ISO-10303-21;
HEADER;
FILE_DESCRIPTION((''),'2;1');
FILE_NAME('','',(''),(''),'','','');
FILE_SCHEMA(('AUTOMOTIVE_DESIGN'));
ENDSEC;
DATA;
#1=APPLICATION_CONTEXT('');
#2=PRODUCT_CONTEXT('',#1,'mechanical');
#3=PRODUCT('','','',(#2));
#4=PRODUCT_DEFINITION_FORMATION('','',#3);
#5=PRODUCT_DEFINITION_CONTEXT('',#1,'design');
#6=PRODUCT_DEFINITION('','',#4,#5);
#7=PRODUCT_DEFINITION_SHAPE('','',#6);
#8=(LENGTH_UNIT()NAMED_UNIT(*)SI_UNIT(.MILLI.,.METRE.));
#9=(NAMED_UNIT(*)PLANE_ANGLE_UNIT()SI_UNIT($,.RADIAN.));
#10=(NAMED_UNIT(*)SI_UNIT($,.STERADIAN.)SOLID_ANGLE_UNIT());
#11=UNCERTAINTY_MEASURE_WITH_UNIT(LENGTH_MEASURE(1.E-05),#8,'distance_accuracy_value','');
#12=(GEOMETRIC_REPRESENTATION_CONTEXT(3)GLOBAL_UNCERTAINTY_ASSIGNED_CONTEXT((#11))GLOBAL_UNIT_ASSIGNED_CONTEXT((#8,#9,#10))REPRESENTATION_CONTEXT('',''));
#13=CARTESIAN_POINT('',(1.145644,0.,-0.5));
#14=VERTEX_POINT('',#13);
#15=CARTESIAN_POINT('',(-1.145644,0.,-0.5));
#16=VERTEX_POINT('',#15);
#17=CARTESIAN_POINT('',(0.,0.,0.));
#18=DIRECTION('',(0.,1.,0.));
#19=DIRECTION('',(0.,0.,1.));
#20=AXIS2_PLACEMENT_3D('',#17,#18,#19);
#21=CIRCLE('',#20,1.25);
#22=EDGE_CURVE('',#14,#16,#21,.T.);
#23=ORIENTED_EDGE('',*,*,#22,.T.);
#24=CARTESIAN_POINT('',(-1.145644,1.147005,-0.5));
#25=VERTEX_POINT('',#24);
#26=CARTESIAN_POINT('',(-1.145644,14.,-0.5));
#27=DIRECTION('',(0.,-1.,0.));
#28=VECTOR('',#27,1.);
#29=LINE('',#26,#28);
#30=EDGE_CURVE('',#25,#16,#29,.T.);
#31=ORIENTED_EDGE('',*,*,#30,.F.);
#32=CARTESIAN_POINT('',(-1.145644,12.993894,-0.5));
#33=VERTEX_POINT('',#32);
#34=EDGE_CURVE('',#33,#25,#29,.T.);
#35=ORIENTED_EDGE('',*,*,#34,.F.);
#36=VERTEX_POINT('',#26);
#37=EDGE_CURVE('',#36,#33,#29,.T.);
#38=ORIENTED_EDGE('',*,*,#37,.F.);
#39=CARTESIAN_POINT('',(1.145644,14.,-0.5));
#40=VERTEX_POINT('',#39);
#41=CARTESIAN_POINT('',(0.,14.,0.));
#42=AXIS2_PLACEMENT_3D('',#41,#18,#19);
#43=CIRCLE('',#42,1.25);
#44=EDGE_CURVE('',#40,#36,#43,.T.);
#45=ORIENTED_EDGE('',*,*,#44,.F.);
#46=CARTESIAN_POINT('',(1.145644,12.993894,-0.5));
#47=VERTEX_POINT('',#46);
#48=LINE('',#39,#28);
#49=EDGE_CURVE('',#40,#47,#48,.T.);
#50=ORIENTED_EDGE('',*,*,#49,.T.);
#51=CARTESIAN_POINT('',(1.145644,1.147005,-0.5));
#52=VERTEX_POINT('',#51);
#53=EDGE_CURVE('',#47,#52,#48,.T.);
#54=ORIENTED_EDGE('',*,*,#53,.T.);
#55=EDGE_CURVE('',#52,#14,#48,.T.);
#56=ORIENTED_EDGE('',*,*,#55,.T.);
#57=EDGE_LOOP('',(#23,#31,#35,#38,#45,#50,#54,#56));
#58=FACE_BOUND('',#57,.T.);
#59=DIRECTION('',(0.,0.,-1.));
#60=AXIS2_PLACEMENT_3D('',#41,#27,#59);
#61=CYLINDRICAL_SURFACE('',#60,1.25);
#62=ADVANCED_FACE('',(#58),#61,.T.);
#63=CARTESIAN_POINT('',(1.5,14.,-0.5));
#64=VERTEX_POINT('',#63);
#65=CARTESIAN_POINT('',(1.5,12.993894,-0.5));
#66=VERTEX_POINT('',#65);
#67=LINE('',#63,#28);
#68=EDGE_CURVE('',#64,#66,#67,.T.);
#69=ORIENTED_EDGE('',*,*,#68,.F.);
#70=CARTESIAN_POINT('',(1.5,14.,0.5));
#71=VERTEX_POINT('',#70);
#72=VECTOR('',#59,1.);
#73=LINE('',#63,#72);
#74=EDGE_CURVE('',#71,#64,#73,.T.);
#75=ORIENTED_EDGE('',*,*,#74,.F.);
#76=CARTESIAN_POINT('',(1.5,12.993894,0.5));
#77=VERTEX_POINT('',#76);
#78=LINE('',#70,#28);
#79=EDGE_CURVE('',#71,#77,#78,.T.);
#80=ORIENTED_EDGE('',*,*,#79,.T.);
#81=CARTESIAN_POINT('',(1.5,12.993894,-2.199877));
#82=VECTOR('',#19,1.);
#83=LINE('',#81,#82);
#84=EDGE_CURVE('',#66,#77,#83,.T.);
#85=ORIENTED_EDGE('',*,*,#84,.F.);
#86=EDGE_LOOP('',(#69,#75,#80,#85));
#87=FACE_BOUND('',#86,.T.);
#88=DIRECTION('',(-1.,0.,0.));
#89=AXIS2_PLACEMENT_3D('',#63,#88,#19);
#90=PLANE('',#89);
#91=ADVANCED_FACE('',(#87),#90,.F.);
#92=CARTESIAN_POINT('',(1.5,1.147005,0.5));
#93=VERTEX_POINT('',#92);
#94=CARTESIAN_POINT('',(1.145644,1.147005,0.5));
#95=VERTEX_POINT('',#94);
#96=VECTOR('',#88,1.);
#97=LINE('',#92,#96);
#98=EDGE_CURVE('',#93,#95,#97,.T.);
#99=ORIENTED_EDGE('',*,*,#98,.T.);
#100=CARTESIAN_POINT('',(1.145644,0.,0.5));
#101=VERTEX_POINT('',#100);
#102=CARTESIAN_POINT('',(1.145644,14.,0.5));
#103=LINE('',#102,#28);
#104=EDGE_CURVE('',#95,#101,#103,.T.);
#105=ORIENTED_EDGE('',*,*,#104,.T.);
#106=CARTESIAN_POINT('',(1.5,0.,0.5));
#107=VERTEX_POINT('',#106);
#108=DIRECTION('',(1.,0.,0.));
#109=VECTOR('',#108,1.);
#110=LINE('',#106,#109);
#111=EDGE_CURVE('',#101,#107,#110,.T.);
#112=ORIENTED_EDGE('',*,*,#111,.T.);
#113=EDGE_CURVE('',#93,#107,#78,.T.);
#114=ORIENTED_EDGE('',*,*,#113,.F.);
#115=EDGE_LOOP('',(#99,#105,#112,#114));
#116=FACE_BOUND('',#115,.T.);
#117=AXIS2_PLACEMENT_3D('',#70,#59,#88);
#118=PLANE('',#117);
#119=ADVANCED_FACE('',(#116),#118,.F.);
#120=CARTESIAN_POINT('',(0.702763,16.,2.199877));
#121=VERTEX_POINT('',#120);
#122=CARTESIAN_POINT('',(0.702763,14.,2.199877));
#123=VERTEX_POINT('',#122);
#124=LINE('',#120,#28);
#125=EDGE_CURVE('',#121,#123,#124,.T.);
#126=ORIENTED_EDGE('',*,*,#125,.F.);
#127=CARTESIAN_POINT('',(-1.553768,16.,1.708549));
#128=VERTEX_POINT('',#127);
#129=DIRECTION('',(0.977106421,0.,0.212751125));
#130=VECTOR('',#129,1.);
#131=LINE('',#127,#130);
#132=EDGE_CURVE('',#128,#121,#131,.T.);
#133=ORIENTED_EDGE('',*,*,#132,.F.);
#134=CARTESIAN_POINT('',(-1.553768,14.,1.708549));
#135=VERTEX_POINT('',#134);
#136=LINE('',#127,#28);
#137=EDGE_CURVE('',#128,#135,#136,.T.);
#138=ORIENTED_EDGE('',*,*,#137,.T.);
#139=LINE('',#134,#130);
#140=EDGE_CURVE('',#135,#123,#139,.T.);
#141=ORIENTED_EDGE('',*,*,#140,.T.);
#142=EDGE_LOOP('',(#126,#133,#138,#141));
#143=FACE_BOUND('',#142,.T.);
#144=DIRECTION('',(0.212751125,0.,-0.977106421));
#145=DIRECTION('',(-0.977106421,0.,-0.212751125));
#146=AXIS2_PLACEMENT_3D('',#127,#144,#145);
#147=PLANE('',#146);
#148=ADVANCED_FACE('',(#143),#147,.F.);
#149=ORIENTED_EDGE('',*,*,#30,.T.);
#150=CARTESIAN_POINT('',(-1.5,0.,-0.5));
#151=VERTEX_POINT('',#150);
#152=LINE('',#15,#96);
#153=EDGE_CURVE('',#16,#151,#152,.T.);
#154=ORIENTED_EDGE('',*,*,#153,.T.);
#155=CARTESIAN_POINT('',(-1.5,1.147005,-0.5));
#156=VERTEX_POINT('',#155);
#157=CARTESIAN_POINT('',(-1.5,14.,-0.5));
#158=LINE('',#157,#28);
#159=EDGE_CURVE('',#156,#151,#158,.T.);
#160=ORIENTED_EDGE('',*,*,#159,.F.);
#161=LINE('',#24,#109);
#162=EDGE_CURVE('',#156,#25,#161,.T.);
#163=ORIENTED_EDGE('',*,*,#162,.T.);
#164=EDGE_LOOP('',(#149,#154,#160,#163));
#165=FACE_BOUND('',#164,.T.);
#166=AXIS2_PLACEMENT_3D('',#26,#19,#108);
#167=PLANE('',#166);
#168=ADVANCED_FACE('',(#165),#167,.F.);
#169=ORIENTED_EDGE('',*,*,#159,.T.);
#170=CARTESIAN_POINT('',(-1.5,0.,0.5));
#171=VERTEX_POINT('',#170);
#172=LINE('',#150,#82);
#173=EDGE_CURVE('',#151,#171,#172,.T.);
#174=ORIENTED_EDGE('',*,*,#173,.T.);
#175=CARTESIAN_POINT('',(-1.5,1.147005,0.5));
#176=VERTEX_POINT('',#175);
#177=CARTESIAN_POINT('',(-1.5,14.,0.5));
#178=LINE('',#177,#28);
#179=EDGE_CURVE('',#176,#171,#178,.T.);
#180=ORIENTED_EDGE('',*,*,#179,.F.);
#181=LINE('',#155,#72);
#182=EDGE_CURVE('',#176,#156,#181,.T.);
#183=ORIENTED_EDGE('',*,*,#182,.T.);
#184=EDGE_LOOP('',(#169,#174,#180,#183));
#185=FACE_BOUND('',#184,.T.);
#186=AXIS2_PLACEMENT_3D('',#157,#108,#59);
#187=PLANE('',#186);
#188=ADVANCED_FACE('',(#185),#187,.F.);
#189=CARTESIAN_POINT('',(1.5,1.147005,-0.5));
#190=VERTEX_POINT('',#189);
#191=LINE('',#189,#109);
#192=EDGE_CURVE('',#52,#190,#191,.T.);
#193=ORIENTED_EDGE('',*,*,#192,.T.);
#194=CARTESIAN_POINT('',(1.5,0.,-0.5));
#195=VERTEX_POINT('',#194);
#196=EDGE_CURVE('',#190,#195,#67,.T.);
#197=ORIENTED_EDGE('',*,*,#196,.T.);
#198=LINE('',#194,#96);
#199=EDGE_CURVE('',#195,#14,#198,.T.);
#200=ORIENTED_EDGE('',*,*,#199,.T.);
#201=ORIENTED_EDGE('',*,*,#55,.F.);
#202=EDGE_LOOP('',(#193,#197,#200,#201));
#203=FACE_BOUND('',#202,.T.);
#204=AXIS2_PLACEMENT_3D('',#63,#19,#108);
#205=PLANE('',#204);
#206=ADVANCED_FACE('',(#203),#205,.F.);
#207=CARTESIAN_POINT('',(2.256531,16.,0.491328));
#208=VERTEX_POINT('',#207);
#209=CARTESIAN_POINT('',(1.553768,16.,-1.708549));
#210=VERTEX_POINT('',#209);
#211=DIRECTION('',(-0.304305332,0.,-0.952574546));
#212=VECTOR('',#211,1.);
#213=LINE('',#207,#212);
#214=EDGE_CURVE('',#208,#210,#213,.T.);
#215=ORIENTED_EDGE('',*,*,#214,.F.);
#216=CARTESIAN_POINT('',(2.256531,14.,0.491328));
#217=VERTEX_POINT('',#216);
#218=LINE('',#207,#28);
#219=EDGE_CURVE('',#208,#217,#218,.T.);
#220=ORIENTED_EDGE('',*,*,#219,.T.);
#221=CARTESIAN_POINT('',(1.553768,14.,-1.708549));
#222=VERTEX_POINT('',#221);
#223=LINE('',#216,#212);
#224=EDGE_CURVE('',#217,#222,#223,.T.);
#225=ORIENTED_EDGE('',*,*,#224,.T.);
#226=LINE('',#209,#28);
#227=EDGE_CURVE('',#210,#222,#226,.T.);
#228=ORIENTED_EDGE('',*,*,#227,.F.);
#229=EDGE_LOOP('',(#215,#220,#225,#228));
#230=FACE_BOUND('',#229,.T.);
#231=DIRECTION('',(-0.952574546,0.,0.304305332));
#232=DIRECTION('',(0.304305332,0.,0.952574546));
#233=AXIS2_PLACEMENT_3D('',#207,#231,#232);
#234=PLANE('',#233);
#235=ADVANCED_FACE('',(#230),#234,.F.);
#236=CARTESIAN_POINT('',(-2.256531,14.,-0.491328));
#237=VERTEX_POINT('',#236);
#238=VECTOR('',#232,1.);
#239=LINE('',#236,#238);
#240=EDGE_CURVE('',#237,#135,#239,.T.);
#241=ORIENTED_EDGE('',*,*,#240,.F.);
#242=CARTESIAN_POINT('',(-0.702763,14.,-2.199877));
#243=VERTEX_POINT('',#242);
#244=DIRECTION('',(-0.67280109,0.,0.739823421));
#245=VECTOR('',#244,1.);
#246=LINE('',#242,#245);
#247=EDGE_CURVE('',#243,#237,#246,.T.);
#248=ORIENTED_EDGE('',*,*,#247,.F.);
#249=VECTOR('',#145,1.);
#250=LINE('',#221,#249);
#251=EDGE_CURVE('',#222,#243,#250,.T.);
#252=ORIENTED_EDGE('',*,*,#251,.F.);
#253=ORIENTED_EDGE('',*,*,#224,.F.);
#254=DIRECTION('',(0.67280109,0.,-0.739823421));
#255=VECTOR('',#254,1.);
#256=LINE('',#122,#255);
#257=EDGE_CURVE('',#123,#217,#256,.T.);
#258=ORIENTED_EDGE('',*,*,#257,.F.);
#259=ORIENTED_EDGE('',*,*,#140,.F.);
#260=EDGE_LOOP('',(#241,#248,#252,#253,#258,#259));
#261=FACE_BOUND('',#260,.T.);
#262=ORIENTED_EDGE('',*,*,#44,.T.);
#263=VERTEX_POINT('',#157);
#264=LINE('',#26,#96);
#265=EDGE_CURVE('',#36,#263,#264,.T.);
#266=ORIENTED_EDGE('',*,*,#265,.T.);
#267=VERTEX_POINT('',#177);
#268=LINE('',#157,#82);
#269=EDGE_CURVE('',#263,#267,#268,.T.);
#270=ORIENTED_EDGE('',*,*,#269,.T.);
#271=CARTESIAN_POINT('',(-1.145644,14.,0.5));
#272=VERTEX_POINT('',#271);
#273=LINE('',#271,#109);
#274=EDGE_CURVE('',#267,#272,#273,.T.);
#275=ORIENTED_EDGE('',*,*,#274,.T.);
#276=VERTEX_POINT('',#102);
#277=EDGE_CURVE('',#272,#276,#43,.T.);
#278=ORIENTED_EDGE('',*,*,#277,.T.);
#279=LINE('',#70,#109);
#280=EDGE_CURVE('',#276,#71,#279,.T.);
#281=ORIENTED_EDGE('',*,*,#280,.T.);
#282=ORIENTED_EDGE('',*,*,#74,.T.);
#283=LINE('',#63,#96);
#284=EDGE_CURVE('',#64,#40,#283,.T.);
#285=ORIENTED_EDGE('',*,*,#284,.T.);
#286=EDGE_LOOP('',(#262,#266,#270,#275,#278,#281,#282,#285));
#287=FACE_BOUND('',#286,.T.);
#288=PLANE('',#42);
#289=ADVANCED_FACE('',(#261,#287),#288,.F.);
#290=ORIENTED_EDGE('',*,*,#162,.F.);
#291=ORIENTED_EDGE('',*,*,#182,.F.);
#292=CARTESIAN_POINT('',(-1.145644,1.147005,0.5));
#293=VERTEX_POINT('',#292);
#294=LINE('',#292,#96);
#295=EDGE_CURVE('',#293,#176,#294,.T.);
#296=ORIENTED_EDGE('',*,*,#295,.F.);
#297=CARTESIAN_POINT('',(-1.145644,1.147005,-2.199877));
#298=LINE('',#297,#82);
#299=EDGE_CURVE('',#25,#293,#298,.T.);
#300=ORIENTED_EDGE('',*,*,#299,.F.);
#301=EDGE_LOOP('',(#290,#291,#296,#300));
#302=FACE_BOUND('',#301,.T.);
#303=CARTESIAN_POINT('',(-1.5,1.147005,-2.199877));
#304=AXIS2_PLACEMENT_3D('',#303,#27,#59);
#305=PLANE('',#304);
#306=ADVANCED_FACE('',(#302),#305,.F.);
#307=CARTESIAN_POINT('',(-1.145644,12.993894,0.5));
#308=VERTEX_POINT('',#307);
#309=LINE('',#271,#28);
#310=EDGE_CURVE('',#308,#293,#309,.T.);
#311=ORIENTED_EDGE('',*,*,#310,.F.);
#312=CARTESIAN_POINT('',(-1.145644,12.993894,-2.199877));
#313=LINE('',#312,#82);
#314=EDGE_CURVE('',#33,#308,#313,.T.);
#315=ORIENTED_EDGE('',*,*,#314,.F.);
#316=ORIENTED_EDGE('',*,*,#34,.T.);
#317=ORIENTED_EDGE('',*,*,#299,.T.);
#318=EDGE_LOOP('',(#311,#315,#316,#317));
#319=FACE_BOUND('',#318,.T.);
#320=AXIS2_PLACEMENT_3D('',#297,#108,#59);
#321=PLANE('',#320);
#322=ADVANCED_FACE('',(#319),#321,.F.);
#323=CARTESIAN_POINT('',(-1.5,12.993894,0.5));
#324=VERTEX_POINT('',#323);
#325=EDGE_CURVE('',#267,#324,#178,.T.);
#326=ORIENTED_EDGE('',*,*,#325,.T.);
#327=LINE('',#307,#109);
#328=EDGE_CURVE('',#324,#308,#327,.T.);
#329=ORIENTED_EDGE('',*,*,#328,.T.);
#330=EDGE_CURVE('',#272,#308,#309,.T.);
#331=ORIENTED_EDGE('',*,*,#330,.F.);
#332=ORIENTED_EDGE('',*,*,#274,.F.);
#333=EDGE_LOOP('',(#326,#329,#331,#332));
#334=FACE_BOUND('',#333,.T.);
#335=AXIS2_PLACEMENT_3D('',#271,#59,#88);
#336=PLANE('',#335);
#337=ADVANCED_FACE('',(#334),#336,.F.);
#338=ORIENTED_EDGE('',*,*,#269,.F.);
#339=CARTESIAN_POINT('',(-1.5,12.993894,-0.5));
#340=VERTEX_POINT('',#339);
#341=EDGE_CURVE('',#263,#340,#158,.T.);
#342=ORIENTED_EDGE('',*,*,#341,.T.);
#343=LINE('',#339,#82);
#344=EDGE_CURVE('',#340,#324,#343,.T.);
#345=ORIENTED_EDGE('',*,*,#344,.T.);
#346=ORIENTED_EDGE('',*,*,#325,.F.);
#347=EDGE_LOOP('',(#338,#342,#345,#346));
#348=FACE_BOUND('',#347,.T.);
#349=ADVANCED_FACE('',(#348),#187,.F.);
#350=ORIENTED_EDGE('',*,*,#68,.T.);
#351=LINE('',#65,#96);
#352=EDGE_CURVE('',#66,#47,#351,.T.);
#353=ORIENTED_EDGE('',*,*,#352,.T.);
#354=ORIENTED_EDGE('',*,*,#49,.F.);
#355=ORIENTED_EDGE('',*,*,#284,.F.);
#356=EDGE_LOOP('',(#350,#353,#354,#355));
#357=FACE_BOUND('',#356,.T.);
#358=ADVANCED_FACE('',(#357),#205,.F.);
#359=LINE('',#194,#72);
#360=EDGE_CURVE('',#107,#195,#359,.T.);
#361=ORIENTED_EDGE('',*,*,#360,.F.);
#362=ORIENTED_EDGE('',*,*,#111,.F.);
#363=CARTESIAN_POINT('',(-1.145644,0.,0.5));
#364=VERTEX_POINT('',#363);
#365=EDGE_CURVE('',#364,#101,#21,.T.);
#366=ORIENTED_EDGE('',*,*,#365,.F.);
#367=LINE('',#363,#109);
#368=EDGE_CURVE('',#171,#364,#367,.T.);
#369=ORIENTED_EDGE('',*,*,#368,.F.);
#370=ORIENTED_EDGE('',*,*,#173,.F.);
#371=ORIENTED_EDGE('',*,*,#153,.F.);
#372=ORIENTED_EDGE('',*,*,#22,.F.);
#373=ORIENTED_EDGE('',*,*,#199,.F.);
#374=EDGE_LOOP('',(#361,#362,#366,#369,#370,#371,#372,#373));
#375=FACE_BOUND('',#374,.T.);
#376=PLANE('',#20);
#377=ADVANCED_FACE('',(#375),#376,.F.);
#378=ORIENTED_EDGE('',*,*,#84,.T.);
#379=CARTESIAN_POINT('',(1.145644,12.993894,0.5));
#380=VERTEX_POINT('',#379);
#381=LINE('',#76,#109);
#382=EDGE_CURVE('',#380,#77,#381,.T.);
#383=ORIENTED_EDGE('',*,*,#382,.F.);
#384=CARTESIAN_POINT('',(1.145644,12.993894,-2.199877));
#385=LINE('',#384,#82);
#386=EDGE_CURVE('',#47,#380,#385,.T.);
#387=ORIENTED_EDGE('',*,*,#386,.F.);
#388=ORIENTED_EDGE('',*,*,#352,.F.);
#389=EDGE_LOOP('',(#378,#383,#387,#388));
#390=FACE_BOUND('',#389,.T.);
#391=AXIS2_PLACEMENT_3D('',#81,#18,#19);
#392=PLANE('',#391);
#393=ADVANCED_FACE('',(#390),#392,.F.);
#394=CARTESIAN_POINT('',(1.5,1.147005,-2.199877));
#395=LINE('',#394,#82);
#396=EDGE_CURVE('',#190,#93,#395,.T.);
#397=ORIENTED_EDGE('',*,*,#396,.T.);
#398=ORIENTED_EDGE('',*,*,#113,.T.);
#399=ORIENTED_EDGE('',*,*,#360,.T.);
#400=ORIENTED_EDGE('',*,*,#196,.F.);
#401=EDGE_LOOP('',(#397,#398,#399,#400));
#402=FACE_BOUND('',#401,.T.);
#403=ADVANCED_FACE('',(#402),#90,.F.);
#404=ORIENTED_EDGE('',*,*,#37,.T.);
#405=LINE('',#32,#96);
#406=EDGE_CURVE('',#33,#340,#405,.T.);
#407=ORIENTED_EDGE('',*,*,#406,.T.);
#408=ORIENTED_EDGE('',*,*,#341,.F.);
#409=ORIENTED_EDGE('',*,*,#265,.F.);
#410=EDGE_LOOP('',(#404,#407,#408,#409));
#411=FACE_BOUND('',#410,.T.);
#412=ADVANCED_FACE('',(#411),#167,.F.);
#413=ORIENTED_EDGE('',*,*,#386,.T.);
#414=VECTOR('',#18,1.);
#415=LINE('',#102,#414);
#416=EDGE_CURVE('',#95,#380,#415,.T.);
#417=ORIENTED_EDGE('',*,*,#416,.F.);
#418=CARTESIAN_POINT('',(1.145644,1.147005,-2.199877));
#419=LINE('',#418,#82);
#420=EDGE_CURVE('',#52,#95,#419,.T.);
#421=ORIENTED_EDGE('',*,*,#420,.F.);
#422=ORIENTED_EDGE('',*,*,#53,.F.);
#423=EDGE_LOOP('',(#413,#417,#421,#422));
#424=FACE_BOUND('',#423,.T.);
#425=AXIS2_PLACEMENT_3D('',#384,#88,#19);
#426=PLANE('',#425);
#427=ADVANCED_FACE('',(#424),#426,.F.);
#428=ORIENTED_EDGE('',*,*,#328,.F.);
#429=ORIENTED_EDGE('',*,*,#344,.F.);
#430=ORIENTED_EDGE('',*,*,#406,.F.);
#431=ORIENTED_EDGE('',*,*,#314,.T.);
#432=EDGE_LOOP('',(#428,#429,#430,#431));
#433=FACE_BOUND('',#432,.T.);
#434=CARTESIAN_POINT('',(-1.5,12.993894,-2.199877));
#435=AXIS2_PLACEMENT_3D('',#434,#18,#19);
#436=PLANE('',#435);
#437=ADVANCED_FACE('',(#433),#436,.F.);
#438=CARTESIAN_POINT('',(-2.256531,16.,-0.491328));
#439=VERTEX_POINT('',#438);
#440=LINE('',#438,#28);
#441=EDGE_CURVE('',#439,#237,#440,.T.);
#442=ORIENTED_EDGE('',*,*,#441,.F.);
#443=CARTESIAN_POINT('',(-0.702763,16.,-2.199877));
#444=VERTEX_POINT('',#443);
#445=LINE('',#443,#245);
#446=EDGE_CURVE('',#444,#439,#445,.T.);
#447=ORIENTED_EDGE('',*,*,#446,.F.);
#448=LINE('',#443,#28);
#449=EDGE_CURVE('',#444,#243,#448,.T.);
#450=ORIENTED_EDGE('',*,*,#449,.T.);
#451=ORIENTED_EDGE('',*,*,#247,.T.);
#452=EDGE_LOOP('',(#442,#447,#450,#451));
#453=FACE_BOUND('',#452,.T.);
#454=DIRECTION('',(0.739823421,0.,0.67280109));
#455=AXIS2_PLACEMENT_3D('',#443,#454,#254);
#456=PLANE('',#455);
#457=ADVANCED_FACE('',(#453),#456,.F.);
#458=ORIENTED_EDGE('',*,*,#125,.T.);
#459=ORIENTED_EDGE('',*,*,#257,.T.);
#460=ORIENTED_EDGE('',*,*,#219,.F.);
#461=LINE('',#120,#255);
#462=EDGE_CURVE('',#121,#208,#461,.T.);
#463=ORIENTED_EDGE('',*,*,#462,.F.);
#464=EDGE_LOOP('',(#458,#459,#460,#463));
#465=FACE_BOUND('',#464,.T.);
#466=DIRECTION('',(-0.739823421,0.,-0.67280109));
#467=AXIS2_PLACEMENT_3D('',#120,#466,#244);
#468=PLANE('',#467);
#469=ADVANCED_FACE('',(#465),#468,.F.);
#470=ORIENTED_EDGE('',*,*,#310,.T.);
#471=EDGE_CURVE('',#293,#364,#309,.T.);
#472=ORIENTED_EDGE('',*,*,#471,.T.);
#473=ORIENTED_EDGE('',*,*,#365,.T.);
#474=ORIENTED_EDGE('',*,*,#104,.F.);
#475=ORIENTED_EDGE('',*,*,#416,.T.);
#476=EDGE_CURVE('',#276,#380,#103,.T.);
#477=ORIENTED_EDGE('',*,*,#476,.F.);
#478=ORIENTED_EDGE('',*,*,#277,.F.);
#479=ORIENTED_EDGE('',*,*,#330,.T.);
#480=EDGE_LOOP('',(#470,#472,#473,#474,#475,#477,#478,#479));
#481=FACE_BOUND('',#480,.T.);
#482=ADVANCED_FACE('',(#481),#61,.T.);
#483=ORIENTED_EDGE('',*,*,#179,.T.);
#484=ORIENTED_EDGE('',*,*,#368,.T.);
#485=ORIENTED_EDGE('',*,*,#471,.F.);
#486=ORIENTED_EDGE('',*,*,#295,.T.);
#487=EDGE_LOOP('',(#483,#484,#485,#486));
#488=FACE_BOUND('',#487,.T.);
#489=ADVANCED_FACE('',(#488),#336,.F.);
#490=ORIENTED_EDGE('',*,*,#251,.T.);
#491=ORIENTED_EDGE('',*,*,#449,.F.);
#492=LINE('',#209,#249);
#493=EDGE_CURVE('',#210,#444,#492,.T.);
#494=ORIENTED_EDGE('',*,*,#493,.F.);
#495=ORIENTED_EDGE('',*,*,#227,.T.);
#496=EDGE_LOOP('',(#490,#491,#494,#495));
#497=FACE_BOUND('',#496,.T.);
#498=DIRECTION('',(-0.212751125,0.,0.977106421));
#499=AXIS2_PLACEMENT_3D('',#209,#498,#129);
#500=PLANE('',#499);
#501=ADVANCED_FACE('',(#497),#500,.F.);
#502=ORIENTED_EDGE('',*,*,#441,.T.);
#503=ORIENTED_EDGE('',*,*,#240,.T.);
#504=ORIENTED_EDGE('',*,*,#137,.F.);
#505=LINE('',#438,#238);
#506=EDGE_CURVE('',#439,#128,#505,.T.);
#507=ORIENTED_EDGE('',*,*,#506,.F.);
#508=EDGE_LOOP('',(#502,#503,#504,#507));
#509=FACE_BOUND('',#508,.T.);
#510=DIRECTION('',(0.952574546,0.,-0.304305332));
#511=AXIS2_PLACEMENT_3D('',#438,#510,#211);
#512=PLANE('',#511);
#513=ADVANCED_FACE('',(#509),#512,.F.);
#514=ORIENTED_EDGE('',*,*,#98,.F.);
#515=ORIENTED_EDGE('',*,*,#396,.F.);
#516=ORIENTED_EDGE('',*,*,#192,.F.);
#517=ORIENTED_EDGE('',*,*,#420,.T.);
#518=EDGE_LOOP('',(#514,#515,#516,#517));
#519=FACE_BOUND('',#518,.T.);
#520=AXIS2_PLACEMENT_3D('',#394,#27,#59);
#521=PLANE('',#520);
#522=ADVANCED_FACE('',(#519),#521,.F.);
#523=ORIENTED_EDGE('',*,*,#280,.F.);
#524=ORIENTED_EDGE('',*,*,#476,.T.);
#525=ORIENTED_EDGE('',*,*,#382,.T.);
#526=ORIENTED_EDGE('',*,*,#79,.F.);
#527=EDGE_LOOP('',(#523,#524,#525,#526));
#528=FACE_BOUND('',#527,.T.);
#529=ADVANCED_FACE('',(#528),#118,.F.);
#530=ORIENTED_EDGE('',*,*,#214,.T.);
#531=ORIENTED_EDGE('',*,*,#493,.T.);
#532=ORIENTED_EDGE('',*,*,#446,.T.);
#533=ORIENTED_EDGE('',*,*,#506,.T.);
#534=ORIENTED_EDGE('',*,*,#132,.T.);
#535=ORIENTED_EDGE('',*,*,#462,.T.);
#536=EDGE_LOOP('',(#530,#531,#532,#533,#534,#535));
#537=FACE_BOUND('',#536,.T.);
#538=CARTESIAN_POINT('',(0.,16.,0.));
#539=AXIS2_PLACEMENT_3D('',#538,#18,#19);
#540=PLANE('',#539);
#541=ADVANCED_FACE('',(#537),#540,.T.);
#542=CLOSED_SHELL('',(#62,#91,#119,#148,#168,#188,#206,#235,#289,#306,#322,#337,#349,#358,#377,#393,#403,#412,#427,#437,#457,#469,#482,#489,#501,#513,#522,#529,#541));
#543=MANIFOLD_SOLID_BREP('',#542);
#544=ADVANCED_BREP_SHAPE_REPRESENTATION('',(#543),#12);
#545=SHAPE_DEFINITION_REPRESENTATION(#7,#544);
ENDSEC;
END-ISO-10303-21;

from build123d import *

# Parameters (mm, degrees)
BOSS_EXTRUDE1_DEPTH     = 14
BOSS_EXTRUDE2_DEPTH     = 2
SKETCH3_W               = 0.354356076
SKETCH3_H               = 11.846889002
CUT_EXTRUDE1_DEPTH      = 3.199876682
CUT_EXTRUDE1_DEPTH_BACK = 3.199876682


with BuildPart() as part:
    # Sketch1 → Boss-Extrude1 (new body)
    with BuildSketch(Plane(origin=(0, 0, 0), x_dir=(1, 0, 0), z_dir=(0, 1, 0))):
        with BuildLine():
            Line((-1.145643924, 0.5), (-1.5, 0.5))
            Line((-1.5, 0.5), (-1.5, -0.5))
            Line((-1.5, -0.5), (-1.145643924, -0.5))
            ThreePointArc((-1.145643924, -0.5), (0, -1.25), (1.145643924, -0.5))
            Line((1.145643924, -0.5), (1.5, -0.5))
            Line((1.5, -0.5), (1.5, 0.5))
            Line((1.5, 0.5), (1.145643924, 0.5))
            ThreePointArc((1.145643924, 0.5), (0, 1.25), (-1.145643924, 0.5))
        make_face()
    extrude(amount=BOSS_EXTRUDE1_DEPTH)

    # Sketch2 → Boss-Extrude2 (add)
    with BuildSketch(Plane(origin=(0, 14, 0), x_dir=(1, 0, 0), z_dir=(0, 1, 0))):
        Polygon((-1.553767561, -1.708549004), (0.702763061, -2.199876682), (2.256530622, -0.491327678), (1.553767561, 1.708549004), (-0.702763061, 2.199876682), (-2.256530622, 0.491327678), align=None)
    extrude(amount=BOSS_EXTRUDE2_DEPTH)

    # Sketch3 → Cut-Extrude1 (cut, two sides)
    with BuildSketch(Plane.XY) as cut_extrude1_sk:
        with Locations((1.322821962, 7.070449387)):
            Rectangle(SKETCH3_W, SKETCH3_H)
        with Locations((-1.322821962, 7.070449387)):
            Rectangle(SKETCH3_W, SKETCH3_H)
    extrude(amount=CUT_EXTRUDE1_DEPTH, mode=Mode.SUBTRACT)
    extrude(cut_extrude1_sk.sketch, amount=-CUT_EXTRUDE1_DEPTH_BACK, mode=Mode.SUBTRACT)


solid = part.part
